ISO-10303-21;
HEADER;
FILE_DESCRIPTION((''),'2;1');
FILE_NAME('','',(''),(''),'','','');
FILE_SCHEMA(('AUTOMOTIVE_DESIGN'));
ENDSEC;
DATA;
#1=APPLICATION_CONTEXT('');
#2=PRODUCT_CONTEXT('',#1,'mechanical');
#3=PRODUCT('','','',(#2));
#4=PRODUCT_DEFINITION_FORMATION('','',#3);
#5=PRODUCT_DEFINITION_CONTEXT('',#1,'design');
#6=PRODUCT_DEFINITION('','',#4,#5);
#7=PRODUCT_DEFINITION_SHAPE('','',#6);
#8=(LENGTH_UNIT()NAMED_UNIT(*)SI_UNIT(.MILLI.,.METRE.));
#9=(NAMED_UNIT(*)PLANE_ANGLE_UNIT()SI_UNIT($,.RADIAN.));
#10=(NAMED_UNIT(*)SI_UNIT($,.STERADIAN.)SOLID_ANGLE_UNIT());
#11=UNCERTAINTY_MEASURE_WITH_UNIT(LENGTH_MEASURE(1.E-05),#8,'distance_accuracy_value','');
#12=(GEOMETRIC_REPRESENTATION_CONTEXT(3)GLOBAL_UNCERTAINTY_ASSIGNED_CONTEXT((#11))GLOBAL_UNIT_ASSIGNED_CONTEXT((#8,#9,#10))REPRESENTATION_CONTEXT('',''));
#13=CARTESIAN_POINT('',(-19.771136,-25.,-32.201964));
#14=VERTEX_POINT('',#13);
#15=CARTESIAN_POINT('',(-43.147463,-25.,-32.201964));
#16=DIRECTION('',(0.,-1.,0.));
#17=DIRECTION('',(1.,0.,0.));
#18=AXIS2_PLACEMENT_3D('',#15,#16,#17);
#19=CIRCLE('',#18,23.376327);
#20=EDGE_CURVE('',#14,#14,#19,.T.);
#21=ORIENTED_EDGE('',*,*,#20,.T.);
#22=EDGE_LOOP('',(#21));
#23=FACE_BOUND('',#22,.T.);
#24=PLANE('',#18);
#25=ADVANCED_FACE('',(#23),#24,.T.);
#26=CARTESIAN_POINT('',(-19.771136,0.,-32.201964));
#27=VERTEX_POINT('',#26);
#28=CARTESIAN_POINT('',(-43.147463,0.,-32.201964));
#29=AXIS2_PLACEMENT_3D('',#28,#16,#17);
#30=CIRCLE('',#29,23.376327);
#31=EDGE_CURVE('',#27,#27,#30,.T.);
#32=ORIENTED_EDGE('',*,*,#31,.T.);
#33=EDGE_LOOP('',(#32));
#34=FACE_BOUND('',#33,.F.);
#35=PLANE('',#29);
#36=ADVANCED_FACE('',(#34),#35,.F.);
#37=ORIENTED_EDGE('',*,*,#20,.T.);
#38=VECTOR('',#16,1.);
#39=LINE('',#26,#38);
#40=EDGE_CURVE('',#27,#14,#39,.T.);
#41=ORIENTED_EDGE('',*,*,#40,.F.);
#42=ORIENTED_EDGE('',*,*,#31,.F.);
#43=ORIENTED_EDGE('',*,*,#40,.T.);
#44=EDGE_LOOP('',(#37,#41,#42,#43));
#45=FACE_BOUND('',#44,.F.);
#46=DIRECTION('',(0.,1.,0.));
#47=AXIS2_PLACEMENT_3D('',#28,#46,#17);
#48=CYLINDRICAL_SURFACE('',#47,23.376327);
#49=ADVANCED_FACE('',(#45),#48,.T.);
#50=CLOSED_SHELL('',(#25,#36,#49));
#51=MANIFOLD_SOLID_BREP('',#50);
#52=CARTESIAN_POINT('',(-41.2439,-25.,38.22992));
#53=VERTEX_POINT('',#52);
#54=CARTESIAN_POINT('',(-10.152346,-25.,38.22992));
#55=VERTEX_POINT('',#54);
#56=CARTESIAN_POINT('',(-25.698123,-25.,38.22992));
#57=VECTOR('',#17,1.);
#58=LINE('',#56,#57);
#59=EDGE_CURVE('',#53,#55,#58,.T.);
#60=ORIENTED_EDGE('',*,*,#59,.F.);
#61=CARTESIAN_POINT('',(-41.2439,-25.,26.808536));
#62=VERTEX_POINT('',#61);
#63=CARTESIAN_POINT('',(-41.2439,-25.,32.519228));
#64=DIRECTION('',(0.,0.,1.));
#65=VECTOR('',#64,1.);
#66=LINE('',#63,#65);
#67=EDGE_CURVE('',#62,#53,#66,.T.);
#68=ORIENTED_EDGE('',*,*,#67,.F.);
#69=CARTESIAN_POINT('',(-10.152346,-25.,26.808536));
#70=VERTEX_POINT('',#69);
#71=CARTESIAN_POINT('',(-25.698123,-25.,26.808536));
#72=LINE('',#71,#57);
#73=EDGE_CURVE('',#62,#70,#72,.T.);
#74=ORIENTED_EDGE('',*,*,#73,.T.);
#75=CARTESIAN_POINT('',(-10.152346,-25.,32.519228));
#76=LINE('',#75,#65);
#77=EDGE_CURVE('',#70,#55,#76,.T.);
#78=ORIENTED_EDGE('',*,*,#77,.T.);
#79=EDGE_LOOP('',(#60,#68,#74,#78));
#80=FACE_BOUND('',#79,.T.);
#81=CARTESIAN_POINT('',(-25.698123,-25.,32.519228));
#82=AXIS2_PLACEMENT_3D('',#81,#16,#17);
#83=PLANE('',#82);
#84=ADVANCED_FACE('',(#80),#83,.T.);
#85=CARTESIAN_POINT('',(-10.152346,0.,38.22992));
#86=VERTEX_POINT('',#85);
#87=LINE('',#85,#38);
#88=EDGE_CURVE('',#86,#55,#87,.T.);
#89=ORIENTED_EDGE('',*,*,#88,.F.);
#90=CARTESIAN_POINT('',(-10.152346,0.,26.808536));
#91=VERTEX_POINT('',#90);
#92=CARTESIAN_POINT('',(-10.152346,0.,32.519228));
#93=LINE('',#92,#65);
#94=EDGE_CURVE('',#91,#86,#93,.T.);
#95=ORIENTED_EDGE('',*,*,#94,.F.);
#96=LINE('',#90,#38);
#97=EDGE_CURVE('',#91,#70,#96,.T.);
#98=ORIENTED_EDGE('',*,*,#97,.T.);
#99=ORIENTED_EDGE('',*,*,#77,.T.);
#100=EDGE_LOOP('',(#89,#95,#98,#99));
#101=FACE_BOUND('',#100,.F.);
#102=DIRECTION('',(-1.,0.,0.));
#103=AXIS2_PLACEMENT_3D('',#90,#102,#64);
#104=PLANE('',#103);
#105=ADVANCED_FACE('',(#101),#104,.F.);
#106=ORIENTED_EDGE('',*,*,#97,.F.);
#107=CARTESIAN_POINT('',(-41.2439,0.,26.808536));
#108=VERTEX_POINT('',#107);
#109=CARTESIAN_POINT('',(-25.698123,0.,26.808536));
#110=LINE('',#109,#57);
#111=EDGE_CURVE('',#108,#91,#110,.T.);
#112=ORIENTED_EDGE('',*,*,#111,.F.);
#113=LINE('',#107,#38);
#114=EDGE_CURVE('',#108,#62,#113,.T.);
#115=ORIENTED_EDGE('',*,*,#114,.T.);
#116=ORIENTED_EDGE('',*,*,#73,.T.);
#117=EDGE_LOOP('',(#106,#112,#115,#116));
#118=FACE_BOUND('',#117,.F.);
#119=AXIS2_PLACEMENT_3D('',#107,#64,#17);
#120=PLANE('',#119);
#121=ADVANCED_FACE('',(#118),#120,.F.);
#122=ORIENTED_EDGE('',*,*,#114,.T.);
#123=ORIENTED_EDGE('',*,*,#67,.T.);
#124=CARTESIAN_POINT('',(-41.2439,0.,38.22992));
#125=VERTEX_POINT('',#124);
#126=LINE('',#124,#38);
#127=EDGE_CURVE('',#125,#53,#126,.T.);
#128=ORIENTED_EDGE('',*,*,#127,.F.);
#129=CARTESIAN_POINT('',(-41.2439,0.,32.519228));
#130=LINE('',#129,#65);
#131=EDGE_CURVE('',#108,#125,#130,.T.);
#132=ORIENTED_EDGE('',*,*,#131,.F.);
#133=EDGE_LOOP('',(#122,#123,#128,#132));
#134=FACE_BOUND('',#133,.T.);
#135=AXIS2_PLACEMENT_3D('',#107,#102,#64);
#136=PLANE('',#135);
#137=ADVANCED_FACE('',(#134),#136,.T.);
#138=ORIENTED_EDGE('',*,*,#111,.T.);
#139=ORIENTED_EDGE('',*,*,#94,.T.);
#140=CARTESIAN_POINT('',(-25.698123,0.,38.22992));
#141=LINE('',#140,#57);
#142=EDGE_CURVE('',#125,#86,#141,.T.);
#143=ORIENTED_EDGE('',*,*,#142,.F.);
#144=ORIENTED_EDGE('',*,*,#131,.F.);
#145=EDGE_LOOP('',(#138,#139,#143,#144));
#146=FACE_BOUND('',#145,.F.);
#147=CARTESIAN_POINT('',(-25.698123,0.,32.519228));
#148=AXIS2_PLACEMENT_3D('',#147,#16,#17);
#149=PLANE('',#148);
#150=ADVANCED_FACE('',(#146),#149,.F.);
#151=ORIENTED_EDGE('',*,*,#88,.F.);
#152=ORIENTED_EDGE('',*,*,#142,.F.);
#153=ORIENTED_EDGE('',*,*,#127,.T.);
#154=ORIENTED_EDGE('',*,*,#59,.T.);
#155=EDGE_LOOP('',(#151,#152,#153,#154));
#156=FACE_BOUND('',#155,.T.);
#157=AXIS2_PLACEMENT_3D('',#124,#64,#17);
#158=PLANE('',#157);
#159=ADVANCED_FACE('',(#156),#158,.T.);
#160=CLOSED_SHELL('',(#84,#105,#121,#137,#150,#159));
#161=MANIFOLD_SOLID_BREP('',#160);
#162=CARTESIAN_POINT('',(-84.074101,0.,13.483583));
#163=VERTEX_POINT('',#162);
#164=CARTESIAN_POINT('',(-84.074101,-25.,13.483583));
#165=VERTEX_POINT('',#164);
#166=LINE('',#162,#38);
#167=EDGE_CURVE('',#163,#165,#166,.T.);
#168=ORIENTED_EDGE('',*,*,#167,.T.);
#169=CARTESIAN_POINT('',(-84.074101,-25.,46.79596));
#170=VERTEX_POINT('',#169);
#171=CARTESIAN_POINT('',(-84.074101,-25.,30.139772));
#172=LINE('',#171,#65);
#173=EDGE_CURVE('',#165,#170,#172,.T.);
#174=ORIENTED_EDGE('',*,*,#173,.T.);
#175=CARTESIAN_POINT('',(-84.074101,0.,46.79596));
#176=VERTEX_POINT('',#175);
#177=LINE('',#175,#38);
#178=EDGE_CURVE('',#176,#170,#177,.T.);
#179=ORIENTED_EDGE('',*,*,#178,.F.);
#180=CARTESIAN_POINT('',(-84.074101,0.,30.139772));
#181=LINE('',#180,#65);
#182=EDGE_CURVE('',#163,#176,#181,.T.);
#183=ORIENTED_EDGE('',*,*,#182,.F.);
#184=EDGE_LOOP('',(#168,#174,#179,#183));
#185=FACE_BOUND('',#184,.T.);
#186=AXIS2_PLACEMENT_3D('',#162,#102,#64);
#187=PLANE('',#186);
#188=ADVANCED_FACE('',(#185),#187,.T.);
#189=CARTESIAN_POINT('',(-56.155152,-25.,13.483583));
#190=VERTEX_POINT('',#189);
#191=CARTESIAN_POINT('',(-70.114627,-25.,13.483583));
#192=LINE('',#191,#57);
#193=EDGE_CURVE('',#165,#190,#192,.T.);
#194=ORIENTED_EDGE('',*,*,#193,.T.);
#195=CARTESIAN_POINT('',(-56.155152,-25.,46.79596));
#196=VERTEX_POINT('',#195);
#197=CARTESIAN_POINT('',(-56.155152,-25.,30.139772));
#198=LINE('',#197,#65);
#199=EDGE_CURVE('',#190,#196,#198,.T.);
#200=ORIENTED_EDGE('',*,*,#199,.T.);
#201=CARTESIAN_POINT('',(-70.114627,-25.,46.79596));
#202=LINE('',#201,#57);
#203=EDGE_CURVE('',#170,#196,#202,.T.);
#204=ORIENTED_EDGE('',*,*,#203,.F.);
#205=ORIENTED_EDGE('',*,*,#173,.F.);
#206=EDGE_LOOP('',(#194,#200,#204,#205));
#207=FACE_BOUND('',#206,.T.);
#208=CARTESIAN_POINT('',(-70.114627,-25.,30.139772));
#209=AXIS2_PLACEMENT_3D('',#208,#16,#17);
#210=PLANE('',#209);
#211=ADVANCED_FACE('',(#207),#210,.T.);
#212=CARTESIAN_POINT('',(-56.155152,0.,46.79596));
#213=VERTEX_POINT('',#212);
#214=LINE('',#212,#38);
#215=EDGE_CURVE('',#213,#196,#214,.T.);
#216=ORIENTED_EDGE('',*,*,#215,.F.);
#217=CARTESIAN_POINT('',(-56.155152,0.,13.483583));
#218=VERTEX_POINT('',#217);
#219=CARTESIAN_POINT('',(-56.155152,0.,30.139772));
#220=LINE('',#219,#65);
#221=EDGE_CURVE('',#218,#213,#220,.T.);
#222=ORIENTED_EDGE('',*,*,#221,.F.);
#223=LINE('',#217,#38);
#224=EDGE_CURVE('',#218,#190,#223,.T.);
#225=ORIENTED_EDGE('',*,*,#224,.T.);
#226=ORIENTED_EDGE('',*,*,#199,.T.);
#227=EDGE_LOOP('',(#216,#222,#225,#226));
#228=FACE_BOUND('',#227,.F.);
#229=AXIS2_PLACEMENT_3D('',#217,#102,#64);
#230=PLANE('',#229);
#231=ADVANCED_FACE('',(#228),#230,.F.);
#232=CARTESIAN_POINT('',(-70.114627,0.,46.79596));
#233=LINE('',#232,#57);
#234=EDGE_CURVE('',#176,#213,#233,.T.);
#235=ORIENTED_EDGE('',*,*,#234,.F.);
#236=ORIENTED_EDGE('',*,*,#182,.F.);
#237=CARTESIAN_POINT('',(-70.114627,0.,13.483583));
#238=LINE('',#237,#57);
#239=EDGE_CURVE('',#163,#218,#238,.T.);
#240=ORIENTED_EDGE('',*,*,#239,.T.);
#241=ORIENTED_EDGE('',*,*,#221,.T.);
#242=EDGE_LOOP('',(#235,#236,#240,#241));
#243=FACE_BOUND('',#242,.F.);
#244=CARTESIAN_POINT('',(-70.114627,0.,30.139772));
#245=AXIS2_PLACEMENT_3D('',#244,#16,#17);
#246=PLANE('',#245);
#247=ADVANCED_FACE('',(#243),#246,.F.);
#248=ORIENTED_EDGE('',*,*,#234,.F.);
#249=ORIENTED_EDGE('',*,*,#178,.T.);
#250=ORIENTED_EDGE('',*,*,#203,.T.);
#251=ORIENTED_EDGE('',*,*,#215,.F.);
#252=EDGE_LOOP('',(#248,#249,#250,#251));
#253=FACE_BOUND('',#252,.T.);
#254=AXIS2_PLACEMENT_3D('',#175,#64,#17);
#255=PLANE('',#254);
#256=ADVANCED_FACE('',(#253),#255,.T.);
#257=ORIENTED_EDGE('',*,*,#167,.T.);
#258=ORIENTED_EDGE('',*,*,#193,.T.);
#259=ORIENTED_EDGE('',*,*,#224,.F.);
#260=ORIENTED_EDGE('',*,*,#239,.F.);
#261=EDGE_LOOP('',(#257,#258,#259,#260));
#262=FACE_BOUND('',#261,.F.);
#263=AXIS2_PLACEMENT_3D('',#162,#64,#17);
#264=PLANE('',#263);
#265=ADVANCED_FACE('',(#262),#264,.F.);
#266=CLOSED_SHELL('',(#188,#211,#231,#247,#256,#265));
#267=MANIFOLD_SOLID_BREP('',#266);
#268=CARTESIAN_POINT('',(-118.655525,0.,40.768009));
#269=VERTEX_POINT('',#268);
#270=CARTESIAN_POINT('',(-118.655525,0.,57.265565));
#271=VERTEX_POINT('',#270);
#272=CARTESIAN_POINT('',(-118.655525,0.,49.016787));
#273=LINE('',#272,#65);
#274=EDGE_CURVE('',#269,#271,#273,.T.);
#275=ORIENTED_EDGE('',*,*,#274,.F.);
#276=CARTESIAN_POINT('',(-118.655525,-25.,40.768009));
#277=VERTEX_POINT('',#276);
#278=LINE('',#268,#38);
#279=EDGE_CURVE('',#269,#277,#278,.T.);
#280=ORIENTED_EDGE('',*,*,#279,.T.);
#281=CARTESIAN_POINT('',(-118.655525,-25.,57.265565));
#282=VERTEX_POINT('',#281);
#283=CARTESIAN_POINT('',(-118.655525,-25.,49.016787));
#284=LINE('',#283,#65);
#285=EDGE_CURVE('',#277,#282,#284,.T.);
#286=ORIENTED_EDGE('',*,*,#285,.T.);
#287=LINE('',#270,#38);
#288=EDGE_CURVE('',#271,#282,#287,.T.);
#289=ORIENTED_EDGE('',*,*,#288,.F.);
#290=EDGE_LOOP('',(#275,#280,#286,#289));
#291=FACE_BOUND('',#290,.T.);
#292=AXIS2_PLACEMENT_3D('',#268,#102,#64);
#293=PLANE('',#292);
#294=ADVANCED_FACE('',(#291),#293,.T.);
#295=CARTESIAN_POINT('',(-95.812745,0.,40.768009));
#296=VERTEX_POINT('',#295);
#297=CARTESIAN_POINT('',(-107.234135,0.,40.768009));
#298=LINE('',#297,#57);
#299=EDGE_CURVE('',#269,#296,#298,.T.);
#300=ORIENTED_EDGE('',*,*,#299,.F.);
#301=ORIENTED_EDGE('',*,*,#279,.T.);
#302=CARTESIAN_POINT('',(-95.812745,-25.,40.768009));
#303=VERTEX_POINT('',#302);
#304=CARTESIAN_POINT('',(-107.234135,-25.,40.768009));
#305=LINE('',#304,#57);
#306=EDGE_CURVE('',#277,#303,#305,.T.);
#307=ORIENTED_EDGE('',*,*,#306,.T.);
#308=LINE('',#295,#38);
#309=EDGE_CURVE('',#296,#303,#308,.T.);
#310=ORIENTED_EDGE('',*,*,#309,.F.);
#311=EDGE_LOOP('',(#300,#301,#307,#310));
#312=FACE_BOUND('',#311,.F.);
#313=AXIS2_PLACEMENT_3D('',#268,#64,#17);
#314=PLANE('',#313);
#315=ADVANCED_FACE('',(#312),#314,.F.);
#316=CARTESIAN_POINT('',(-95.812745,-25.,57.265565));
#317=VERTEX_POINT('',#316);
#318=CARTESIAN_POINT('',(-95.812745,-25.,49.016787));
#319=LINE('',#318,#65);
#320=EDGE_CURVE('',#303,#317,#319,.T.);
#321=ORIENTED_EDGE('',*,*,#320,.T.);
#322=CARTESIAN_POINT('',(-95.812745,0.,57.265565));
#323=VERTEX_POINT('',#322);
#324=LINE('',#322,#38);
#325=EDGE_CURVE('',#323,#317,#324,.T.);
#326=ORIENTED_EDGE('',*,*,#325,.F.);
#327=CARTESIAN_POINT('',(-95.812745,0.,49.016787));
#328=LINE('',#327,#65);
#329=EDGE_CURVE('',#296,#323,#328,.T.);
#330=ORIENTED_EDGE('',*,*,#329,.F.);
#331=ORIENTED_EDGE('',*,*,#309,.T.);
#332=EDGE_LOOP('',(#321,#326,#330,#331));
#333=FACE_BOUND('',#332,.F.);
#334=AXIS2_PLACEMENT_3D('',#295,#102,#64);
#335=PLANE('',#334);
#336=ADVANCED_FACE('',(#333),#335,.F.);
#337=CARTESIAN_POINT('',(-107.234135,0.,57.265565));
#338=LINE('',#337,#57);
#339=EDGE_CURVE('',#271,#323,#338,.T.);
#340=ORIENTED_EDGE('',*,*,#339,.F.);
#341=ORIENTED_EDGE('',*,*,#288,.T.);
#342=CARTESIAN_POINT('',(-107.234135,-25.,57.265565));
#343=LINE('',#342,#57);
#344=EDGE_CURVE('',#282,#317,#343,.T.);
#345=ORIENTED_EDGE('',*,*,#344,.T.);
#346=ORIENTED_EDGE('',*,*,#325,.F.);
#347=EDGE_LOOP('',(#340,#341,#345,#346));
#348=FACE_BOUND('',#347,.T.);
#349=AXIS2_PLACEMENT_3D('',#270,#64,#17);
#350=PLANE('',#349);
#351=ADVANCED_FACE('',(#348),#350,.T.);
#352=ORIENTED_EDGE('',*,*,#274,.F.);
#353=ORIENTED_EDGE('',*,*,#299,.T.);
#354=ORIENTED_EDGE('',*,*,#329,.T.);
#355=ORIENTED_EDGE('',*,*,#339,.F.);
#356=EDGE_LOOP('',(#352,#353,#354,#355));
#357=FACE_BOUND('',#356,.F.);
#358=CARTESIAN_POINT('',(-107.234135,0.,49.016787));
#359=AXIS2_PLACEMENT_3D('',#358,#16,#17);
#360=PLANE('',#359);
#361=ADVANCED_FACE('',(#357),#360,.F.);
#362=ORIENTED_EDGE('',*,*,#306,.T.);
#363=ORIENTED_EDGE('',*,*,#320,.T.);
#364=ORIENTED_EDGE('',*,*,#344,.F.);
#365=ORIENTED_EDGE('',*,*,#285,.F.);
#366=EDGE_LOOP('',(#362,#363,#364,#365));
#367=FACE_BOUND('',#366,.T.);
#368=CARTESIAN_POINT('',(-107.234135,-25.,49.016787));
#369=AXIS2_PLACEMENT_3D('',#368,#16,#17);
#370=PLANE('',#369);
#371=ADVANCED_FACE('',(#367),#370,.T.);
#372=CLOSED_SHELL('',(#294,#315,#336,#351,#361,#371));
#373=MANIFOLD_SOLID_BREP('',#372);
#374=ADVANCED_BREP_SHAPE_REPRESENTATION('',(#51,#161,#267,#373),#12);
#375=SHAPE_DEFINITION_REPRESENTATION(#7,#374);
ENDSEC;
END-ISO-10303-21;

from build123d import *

# Parameters (mm, degrees)
F0_W     = 22.84278
F0_H     = 16.497556
F0_W_2   = 27.918949
F0_H_2   = 33.312377
F0_W_3   = 31.091554
F0_H_3   = 11.421384
F0_R     = 23.376327
F1_DEPTH = 25


with BuildPart() as f1:
    # F0 (on Front) → F1 (new body)
    with BuildSketch(Plane.XZ):
        with Locations((-107.234135, 49.016787)):
            Rectangle(F0_W, F0_H)
        with Locations((-70.114627, 30.139772)):
            Rectangle(F0_W_2, F0_H_2)
        with Locations((-25.698123, 32.519228)):
            Rectangle(F0_W_3, F0_H_3)
        with Locations((-43.147463, -32.201964)):
            Circle(F0_R)
    extrude(amount=F1_DEPTH)


solid = f1.part
